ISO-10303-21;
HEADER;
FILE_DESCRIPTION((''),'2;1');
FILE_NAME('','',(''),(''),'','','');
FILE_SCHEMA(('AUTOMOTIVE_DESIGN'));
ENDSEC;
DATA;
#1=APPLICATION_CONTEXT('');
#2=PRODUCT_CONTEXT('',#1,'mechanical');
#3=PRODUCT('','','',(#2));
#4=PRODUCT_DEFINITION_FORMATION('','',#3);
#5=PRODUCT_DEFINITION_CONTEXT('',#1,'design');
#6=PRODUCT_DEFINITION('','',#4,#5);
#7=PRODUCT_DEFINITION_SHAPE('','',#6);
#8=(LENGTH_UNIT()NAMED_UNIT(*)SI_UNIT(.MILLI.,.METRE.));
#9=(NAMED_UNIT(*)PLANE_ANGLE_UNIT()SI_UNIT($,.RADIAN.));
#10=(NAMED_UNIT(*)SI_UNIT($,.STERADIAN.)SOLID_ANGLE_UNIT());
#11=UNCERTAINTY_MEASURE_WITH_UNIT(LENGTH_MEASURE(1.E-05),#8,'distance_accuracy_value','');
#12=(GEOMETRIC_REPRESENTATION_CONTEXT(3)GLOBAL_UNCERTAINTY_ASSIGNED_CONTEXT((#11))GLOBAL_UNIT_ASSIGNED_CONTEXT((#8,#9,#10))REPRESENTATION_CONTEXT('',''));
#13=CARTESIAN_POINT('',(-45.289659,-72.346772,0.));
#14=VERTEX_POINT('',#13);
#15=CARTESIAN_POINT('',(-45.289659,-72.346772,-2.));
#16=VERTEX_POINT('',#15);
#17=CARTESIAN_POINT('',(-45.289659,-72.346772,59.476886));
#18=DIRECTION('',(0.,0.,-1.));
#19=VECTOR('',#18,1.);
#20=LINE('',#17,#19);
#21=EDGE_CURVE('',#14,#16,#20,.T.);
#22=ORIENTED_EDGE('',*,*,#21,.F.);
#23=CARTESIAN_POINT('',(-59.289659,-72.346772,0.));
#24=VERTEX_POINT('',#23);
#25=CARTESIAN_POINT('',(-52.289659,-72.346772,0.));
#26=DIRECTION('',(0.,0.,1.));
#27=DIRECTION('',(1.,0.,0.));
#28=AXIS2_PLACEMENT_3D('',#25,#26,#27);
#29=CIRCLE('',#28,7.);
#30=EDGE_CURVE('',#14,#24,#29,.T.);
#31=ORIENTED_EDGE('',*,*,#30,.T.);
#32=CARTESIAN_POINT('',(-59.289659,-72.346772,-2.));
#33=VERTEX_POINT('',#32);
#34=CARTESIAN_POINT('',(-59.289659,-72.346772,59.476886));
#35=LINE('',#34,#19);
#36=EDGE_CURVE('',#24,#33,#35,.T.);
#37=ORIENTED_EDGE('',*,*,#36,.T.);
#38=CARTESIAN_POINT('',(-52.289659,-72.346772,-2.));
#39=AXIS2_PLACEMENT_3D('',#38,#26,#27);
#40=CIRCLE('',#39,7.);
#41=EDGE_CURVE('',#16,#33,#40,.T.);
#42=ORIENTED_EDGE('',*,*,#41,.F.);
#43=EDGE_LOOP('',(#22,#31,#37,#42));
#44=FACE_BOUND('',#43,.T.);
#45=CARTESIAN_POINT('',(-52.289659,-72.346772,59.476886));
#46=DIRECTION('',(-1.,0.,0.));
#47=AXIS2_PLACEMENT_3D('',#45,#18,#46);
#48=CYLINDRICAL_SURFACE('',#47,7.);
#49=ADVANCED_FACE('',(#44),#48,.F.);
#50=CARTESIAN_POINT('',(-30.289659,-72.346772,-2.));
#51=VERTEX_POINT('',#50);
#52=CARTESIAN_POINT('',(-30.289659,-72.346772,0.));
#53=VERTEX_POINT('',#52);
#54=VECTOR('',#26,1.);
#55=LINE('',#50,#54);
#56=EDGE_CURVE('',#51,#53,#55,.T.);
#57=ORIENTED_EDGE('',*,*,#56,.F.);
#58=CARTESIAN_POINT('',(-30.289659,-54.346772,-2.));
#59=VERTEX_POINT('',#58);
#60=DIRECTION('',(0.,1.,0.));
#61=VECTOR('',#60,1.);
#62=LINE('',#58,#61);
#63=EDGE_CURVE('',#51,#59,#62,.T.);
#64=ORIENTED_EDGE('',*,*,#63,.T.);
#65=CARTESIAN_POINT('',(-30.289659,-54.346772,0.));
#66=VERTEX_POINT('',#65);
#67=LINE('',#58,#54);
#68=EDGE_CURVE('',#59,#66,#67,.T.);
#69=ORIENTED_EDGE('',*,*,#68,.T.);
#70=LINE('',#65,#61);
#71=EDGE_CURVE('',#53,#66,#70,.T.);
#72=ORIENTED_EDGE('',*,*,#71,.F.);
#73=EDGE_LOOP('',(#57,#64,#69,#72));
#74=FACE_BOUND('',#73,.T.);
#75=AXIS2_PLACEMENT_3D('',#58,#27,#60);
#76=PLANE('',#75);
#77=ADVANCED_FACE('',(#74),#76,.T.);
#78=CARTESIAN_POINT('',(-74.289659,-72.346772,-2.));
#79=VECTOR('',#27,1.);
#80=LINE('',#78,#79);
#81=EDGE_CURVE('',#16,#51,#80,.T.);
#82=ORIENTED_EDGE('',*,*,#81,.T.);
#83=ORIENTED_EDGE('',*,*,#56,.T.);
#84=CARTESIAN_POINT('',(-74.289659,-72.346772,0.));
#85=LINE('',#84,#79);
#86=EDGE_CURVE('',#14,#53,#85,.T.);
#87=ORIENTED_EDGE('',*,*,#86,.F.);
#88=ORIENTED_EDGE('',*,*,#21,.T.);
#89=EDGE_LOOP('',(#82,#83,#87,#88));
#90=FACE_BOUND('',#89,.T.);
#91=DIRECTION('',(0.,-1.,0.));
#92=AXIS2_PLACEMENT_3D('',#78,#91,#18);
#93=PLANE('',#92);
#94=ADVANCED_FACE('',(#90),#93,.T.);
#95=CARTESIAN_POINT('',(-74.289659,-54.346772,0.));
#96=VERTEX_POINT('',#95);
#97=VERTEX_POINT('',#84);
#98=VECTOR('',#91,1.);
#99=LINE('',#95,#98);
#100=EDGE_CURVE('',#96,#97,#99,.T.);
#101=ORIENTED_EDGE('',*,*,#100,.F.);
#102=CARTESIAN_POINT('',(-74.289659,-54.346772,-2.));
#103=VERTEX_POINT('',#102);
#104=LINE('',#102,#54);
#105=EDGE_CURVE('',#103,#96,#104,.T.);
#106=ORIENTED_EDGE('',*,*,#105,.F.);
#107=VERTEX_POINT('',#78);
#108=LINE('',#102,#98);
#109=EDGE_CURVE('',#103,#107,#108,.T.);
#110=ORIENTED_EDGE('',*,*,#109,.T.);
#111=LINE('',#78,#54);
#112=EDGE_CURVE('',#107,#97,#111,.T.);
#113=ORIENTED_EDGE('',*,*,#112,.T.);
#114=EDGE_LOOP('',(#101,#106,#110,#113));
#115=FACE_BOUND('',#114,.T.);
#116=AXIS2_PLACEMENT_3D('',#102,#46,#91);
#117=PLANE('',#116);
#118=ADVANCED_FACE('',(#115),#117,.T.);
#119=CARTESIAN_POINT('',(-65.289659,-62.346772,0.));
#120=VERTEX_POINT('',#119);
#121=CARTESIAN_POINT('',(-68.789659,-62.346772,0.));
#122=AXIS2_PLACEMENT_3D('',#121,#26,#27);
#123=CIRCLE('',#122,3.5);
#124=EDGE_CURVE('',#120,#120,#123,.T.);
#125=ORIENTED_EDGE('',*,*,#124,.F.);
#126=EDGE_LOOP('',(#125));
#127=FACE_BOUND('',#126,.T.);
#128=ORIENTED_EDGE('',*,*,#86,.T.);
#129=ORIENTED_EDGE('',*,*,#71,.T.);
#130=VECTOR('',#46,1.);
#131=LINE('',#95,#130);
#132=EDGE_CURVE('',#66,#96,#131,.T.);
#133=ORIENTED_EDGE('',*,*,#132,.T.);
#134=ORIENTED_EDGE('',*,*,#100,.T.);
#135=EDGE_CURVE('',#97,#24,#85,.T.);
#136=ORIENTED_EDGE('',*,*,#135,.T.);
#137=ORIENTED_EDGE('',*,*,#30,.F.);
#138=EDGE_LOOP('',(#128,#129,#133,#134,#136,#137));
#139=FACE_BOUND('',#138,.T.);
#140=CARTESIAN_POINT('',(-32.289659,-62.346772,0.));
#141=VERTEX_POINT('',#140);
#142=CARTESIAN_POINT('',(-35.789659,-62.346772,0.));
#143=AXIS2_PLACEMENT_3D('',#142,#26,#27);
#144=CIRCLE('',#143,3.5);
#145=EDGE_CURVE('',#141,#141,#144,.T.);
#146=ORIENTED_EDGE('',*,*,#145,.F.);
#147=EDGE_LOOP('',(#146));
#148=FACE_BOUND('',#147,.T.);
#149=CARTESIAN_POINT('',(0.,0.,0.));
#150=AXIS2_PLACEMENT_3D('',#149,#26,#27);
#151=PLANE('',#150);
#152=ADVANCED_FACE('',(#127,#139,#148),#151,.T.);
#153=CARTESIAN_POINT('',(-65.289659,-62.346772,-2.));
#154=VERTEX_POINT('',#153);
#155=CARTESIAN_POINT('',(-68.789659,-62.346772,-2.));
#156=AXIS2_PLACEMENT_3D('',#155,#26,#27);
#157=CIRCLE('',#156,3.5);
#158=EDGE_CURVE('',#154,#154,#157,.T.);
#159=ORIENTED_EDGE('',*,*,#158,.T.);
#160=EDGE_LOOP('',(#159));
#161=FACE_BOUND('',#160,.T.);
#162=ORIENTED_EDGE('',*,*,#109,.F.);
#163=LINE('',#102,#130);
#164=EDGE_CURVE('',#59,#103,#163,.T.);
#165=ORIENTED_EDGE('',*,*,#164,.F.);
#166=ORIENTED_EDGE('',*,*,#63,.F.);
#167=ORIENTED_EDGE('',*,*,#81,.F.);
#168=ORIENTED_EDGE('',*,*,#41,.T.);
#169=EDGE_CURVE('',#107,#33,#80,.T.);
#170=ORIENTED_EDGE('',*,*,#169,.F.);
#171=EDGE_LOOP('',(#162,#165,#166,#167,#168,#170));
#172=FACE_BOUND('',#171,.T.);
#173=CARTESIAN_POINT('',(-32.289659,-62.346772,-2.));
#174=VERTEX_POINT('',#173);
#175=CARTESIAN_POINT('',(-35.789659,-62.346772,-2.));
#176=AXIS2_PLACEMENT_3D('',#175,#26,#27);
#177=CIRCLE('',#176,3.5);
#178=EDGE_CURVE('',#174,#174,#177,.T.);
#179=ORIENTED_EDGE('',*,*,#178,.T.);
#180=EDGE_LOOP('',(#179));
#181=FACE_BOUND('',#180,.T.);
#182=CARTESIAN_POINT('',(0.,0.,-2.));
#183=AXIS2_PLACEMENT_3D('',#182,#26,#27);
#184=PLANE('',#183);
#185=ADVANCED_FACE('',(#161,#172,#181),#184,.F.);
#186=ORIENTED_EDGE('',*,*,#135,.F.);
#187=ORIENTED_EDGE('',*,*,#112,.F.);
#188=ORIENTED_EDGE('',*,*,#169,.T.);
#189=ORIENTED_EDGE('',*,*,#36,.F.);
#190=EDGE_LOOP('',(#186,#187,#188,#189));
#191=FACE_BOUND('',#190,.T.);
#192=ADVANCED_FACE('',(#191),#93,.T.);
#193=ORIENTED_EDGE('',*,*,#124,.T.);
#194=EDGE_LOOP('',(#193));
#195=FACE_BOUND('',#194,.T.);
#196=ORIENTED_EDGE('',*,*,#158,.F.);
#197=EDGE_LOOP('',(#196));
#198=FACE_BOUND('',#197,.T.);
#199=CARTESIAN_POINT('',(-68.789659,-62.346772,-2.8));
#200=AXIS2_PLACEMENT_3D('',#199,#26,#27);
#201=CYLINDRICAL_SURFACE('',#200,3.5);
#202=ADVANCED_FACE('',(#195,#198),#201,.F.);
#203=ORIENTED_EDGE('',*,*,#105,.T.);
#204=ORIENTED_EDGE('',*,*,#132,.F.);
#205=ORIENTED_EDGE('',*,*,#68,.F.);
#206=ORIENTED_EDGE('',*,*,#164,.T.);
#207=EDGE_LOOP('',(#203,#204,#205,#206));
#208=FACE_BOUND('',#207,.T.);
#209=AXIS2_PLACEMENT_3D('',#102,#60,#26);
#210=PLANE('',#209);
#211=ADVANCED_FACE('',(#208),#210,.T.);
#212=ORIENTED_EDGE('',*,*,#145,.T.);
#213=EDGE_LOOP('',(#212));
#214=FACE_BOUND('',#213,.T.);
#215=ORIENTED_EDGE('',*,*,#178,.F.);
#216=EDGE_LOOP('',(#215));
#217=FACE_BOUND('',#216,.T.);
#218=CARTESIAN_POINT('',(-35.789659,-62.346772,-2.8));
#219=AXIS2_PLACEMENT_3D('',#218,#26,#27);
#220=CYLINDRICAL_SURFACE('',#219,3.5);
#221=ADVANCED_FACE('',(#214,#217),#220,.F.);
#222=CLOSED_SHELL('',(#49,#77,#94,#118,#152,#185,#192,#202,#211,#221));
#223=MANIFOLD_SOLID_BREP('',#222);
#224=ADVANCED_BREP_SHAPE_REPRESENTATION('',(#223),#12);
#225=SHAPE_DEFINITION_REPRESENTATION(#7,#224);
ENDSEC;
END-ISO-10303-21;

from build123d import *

# Parameters (mm, degrees)
SKETCH1_W               = 44
SKETCH1_H               = 18
BOSS_EXTRUDE1_DEPTH     = 2
CUT_EXTRUDE3_DEPTH      = 1
CUT_EXTRUDE3_DEPTH_BACK = 2
SKETCH8_R               = 3.5
CUT_EXTRUDE4_DEPTH      = 2.8
SKETCH9_R               = 3.5
CUT_EXTRUDE5_DEPTH      = 2.8


with BuildPart() as part:
    # Sketch1 → Boss-Extrude1 (new body)
    with BuildSketch(Plane.XY):
        with Locations((-52.289658906, -63.346772489)):
            Rectangle(SKETCH1_W, SKETCH1_H)
    extrude(amount=-BOSS_EXTRUDE1_DEPTH)

    # Sketch7 → Cut-Extrude3 (cut, two sides)
    with BuildSketch(Plane.XY) as cut_extrude3_sk:
        with BuildLine():
            Line((-45.289658906, -150.610965153), (-45.289658906, -72.346772489))
            ThreePointArc((-45.289658906, -72.346772489), (-52.289658906, -65.346772489), (-59.289658906, -72.346772489))
            Line((-59.289658906, -72.346772489), (-59.289658906, -150.610965153))
            Line((-59.289658906, -150.610965153), (-59.289658906, -307.13935048))
            Line((-59.289658906, -307.13935048), (-45.289658906, -307.13935048))
            Line((-45.289658906, -307.13935048), (-45.289658906, -150.610965153))
        make_face()
    extrude(amount=CUT_EXTRUDE3_DEPTH, mode=Mode.SUBTRACT)
    extrude(cut_extrude3_sk.sketch, amount=-CUT_EXTRUDE3_DEPTH_BACK, mode=Mode.SUBTRACT)

    # Sketch8 → Cut-Extrude4 (cut)
    with BuildSketch(Plane.XY):
        with Locations((-68.789658906, -62.346772489)):
            Circle(SKETCH8_R)
    extrude(amount=-CUT_EXTRUDE4_DEPTH, mode=Mode.SUBTRACT)

    # Sketch9 → Cut-Extrude5 (cut)
    with BuildSketch(Plane.XY):
        with Locations((-35.789658906, -62.346772489)):
            Circle(SKETCH9_R)
    extrude(amount=-CUT_EXTRUDE5_DEPTH, mode=Mode.SUBTRACT)


solid = part.part
